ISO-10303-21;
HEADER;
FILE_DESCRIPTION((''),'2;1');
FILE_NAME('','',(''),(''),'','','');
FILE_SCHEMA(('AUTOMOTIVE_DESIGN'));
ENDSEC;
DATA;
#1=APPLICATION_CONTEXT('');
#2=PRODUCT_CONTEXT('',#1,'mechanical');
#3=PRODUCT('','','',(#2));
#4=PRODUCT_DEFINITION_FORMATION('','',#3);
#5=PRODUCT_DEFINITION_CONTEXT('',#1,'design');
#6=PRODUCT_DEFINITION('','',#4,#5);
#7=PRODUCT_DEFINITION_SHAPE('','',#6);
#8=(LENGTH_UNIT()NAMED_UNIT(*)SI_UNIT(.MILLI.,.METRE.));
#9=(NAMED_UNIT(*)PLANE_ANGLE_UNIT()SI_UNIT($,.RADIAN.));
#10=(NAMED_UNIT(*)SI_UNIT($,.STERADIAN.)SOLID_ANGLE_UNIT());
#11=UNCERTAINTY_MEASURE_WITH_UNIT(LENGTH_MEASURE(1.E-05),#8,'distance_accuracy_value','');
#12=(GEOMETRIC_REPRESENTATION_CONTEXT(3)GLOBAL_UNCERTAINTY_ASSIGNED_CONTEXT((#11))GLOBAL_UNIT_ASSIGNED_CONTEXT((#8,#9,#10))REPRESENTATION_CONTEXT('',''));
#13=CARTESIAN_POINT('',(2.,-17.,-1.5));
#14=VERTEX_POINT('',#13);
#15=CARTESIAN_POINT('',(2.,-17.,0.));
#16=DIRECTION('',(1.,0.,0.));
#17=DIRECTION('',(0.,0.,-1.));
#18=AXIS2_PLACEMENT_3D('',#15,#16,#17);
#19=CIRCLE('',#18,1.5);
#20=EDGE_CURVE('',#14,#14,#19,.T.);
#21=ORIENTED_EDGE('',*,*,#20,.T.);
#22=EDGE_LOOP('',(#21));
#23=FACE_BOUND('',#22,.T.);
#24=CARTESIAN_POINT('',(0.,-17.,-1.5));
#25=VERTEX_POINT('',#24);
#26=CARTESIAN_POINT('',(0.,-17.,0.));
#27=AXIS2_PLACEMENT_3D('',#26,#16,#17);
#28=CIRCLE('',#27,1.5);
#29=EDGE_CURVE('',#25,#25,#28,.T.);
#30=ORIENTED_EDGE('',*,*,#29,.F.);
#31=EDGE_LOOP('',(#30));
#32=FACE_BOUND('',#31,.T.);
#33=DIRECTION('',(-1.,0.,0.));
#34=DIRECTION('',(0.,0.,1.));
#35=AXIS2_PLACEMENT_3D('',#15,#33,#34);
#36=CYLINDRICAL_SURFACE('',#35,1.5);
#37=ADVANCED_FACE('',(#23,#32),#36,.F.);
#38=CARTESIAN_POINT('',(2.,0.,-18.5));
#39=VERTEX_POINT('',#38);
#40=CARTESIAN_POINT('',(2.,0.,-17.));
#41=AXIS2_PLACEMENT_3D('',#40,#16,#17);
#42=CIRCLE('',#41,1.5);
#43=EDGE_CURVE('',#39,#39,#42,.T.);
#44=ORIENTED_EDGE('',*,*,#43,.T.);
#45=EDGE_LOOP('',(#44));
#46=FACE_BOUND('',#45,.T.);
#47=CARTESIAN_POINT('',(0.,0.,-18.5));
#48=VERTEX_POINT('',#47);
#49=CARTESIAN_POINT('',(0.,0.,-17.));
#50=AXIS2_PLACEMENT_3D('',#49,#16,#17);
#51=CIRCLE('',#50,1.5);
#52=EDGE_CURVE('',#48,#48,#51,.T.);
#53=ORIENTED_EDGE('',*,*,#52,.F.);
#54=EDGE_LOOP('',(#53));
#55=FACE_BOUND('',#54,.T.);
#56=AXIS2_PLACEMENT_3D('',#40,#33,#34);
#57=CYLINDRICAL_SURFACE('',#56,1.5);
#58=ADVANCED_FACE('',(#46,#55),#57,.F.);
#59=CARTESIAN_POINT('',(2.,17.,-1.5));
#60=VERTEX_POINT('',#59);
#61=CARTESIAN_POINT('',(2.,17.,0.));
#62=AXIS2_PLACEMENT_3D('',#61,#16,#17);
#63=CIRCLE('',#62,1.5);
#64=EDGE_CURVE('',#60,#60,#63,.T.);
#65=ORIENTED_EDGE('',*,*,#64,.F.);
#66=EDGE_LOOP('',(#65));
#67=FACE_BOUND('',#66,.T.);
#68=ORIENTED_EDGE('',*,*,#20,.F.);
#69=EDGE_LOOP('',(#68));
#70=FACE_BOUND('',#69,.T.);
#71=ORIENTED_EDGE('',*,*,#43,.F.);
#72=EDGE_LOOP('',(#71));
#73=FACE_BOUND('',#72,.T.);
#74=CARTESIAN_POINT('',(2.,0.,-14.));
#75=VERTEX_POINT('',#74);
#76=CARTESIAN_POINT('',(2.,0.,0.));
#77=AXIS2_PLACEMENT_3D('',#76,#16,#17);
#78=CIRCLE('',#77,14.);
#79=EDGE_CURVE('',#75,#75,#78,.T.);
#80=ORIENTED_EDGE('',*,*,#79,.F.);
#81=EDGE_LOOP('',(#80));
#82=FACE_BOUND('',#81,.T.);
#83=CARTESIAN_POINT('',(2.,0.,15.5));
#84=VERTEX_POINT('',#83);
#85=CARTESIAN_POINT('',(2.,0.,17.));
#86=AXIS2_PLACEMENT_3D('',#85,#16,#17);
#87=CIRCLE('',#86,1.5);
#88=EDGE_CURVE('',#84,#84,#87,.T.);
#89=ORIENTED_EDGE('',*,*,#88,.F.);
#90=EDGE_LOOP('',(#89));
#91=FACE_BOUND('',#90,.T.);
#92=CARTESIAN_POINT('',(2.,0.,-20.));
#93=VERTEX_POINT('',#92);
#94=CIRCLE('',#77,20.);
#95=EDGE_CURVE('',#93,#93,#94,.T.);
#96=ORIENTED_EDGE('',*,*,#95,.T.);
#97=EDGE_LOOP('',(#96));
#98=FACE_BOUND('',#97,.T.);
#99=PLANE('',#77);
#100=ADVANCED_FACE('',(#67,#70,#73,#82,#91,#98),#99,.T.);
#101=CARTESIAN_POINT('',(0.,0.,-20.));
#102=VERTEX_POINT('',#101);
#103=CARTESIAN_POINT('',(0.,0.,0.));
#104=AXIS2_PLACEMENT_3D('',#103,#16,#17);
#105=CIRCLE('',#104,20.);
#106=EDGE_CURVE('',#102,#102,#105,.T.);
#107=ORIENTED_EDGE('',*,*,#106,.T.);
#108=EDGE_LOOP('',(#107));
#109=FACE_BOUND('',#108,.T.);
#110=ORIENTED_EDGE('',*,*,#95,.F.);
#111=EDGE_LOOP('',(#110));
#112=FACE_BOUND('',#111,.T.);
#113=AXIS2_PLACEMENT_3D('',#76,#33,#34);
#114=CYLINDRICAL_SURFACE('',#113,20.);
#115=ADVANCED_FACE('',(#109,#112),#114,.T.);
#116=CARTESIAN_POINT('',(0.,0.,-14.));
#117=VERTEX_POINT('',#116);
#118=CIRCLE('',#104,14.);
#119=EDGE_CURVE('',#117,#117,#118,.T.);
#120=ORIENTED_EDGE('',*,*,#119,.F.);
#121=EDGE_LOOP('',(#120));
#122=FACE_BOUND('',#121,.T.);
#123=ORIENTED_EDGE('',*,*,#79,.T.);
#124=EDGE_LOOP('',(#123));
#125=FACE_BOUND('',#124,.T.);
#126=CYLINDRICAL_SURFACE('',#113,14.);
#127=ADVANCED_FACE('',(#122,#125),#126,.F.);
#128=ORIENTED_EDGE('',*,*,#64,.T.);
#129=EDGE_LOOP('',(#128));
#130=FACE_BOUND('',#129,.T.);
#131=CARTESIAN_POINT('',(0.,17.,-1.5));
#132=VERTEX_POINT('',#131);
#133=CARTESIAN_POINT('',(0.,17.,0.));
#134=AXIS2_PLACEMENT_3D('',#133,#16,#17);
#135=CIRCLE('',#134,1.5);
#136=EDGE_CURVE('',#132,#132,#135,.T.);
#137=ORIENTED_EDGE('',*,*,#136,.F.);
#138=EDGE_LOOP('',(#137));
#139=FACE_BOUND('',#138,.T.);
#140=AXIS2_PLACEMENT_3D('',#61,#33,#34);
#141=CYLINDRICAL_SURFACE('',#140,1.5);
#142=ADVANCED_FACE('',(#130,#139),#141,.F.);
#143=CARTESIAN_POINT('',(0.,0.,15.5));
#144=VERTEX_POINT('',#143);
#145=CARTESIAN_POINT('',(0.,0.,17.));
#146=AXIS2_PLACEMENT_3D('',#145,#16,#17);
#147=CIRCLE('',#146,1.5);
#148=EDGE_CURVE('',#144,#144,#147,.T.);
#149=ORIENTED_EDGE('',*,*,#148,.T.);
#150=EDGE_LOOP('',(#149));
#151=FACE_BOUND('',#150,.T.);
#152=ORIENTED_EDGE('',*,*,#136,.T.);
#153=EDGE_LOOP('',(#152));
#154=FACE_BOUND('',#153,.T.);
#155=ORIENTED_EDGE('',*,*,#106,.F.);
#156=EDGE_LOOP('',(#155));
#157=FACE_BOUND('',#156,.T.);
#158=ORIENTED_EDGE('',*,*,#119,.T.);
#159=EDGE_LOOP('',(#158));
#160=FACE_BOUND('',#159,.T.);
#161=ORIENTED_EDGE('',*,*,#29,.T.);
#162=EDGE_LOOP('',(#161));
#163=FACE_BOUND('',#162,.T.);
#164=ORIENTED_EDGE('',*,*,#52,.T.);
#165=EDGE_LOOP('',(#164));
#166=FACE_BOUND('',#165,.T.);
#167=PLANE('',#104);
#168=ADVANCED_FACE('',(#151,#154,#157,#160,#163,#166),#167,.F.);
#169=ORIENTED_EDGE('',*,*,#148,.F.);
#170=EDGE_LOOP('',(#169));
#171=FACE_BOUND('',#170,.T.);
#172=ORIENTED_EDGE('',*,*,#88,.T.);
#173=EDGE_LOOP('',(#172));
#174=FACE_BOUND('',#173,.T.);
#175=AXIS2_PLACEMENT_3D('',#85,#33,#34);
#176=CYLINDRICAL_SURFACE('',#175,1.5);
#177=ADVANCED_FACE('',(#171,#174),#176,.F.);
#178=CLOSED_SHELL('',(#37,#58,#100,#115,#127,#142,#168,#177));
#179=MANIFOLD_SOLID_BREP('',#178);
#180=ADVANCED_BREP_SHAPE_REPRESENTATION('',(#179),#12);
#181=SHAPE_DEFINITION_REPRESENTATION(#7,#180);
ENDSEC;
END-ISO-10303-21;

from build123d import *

# Parameters (mm, degrees)
SKETCH1_R           = 20
SKETCH1_R_2         = 14
SKETCH1_R_3         = 1.5
BOSS_EXTRUDE1_DEPTH = 2


with BuildPart() as part:
    # Sketch1 → Boss-Extrude1 (new body)
    with BuildSketch(Plane(origin=(0, 0, 0), x_dir=(0, 0, -1), z_dir=(1, 0, 0))):
        Circle(SKETCH1_R)
        Circle(SKETCH1_R_2, mode=Mode.SUBTRACT)
        with Locations((0, 17)):
            Circle(SKETCH1_R_3, mode=Mode.SUBTRACT)
        with Locations((17, 0)):
            Circle(SKETCH1_R_3, mode=Mode.SUBTRACT)
        with Locations((0, -17)):
            Circle(SKETCH1_R_3, mode=Mode.SUBTRACT)
        with Locations((-17, 0)):
            Circle(SKETCH1_R_3, mode=Mode.SUBTRACT)
    extrude(amount=BOSS_EXTRUDE1_DEPTH)


solid = part.part
